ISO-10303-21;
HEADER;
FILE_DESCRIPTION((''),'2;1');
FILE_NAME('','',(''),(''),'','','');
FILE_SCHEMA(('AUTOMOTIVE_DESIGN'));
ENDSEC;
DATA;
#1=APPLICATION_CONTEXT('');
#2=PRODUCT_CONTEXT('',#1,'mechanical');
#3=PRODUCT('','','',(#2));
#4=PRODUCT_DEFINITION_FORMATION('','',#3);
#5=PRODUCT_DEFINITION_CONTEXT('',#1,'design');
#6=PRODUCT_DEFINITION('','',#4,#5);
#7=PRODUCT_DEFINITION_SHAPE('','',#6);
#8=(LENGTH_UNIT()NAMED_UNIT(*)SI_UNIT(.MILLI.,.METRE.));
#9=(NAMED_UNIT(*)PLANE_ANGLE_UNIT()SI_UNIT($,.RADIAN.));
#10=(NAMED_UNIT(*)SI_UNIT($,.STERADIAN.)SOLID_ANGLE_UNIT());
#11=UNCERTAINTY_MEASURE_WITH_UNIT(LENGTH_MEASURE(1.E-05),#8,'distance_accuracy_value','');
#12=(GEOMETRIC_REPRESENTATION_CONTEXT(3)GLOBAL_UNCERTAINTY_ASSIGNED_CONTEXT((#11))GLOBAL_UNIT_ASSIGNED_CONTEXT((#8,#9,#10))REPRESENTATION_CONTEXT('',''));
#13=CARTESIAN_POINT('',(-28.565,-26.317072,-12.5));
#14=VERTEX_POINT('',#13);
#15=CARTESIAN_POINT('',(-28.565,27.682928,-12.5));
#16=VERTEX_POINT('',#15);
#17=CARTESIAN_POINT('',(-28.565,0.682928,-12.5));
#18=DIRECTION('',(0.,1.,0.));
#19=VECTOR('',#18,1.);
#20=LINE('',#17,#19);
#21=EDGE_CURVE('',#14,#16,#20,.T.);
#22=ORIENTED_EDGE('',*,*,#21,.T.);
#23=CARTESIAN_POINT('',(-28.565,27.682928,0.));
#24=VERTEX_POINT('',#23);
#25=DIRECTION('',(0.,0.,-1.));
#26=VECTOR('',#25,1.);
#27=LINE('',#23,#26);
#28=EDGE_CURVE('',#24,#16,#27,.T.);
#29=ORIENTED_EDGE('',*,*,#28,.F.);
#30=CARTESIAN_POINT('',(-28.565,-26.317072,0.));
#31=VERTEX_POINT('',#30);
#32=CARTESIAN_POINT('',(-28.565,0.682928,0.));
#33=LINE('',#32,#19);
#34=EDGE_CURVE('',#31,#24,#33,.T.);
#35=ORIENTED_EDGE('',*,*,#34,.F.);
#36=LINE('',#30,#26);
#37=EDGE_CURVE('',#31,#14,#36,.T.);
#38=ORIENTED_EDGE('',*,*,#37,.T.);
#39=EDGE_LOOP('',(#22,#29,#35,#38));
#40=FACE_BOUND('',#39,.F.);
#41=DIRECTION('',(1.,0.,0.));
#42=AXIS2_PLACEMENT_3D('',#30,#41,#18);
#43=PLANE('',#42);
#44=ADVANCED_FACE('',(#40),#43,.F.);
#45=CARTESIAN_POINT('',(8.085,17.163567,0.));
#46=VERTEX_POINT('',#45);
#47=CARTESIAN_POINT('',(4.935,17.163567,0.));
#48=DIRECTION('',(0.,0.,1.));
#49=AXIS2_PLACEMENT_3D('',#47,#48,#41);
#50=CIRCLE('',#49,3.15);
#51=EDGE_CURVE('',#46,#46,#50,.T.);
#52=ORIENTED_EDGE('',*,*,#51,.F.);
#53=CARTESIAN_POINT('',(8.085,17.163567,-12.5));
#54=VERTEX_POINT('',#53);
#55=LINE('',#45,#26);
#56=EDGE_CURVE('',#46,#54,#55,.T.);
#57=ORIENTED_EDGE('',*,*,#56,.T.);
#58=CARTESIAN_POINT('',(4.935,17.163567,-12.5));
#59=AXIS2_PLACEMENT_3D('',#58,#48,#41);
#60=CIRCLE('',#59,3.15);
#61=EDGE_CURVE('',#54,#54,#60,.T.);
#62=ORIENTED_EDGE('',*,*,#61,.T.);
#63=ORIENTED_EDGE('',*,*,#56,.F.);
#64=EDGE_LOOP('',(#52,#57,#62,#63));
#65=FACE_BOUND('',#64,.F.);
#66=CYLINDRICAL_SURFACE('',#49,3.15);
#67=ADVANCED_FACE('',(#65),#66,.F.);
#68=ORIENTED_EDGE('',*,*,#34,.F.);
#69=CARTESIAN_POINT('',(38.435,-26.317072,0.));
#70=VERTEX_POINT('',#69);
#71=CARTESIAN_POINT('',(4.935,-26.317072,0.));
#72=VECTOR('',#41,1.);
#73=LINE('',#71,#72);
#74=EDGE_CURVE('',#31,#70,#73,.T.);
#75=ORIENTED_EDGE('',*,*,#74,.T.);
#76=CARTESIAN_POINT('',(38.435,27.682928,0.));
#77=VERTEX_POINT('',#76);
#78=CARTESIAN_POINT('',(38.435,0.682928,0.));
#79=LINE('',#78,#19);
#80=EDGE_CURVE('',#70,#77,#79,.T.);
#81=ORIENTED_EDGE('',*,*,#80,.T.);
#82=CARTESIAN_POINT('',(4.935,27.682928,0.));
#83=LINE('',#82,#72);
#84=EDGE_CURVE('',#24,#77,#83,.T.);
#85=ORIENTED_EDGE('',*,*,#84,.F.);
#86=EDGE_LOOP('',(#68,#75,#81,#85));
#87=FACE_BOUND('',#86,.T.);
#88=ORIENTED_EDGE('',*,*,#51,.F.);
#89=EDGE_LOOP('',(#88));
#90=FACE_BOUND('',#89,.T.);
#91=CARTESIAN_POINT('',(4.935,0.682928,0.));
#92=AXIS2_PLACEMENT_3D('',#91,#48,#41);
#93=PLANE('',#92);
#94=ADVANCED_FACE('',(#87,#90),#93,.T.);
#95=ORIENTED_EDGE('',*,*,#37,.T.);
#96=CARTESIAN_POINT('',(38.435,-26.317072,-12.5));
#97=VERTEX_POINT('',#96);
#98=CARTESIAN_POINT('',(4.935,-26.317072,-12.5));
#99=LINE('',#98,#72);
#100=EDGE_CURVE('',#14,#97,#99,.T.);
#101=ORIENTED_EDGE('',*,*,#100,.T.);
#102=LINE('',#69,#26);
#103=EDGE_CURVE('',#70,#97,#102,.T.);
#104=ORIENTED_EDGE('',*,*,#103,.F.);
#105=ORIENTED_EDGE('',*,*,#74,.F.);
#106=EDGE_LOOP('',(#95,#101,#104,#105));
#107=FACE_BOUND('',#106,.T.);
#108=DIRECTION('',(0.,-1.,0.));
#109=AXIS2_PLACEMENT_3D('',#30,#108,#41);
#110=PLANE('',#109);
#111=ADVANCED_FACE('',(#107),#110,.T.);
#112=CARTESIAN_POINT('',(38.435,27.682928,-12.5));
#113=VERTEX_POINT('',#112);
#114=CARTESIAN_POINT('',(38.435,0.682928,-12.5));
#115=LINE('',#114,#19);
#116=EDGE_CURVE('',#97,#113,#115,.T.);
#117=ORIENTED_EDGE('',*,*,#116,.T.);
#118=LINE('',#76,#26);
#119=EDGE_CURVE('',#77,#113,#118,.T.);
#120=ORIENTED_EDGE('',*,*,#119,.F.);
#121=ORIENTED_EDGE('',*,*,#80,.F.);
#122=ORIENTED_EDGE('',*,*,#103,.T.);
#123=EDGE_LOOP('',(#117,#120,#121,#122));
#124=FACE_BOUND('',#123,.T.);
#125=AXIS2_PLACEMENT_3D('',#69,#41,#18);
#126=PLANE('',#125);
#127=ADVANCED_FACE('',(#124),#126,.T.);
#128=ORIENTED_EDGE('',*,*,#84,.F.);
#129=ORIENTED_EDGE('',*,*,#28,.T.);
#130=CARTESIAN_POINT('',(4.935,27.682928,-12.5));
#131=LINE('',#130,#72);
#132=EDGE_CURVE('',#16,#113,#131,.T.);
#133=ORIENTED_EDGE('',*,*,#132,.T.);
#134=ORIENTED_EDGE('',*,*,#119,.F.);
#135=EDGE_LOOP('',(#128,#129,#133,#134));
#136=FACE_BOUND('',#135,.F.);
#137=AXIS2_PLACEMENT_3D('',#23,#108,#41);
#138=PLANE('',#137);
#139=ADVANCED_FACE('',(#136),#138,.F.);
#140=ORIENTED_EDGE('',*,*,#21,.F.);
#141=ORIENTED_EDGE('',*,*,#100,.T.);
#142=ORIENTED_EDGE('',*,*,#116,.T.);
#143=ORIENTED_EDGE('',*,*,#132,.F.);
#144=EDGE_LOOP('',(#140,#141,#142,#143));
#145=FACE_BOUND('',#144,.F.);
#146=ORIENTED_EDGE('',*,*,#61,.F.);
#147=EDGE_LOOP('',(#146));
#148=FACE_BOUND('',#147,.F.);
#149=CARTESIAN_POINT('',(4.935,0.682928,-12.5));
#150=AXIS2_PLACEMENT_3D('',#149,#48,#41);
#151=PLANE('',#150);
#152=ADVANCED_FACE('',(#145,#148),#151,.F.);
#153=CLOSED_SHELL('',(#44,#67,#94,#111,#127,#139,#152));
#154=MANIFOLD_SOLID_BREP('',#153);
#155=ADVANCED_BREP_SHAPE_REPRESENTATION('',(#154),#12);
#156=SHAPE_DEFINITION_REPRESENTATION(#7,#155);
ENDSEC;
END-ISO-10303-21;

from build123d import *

# Parameters (mm, degrees)
F0_W     = 67
F0_H     = 54
F0_R     = 3.15
F1_DEPTH = 12.5


with BuildPart() as f1:
    # F0 (on Top) → F1 (new body)
    with BuildSketch(Plane.XY):
        with Locations((4.935, 0.682928)):
            Rectangle(F0_W, F0_H)
        with Locations((4.935, 17.163567)):
            Circle(F0_R, mode=Mode.SUBTRACT)
    extrude(amount=-F1_DEPTH)


solid = f1.part
